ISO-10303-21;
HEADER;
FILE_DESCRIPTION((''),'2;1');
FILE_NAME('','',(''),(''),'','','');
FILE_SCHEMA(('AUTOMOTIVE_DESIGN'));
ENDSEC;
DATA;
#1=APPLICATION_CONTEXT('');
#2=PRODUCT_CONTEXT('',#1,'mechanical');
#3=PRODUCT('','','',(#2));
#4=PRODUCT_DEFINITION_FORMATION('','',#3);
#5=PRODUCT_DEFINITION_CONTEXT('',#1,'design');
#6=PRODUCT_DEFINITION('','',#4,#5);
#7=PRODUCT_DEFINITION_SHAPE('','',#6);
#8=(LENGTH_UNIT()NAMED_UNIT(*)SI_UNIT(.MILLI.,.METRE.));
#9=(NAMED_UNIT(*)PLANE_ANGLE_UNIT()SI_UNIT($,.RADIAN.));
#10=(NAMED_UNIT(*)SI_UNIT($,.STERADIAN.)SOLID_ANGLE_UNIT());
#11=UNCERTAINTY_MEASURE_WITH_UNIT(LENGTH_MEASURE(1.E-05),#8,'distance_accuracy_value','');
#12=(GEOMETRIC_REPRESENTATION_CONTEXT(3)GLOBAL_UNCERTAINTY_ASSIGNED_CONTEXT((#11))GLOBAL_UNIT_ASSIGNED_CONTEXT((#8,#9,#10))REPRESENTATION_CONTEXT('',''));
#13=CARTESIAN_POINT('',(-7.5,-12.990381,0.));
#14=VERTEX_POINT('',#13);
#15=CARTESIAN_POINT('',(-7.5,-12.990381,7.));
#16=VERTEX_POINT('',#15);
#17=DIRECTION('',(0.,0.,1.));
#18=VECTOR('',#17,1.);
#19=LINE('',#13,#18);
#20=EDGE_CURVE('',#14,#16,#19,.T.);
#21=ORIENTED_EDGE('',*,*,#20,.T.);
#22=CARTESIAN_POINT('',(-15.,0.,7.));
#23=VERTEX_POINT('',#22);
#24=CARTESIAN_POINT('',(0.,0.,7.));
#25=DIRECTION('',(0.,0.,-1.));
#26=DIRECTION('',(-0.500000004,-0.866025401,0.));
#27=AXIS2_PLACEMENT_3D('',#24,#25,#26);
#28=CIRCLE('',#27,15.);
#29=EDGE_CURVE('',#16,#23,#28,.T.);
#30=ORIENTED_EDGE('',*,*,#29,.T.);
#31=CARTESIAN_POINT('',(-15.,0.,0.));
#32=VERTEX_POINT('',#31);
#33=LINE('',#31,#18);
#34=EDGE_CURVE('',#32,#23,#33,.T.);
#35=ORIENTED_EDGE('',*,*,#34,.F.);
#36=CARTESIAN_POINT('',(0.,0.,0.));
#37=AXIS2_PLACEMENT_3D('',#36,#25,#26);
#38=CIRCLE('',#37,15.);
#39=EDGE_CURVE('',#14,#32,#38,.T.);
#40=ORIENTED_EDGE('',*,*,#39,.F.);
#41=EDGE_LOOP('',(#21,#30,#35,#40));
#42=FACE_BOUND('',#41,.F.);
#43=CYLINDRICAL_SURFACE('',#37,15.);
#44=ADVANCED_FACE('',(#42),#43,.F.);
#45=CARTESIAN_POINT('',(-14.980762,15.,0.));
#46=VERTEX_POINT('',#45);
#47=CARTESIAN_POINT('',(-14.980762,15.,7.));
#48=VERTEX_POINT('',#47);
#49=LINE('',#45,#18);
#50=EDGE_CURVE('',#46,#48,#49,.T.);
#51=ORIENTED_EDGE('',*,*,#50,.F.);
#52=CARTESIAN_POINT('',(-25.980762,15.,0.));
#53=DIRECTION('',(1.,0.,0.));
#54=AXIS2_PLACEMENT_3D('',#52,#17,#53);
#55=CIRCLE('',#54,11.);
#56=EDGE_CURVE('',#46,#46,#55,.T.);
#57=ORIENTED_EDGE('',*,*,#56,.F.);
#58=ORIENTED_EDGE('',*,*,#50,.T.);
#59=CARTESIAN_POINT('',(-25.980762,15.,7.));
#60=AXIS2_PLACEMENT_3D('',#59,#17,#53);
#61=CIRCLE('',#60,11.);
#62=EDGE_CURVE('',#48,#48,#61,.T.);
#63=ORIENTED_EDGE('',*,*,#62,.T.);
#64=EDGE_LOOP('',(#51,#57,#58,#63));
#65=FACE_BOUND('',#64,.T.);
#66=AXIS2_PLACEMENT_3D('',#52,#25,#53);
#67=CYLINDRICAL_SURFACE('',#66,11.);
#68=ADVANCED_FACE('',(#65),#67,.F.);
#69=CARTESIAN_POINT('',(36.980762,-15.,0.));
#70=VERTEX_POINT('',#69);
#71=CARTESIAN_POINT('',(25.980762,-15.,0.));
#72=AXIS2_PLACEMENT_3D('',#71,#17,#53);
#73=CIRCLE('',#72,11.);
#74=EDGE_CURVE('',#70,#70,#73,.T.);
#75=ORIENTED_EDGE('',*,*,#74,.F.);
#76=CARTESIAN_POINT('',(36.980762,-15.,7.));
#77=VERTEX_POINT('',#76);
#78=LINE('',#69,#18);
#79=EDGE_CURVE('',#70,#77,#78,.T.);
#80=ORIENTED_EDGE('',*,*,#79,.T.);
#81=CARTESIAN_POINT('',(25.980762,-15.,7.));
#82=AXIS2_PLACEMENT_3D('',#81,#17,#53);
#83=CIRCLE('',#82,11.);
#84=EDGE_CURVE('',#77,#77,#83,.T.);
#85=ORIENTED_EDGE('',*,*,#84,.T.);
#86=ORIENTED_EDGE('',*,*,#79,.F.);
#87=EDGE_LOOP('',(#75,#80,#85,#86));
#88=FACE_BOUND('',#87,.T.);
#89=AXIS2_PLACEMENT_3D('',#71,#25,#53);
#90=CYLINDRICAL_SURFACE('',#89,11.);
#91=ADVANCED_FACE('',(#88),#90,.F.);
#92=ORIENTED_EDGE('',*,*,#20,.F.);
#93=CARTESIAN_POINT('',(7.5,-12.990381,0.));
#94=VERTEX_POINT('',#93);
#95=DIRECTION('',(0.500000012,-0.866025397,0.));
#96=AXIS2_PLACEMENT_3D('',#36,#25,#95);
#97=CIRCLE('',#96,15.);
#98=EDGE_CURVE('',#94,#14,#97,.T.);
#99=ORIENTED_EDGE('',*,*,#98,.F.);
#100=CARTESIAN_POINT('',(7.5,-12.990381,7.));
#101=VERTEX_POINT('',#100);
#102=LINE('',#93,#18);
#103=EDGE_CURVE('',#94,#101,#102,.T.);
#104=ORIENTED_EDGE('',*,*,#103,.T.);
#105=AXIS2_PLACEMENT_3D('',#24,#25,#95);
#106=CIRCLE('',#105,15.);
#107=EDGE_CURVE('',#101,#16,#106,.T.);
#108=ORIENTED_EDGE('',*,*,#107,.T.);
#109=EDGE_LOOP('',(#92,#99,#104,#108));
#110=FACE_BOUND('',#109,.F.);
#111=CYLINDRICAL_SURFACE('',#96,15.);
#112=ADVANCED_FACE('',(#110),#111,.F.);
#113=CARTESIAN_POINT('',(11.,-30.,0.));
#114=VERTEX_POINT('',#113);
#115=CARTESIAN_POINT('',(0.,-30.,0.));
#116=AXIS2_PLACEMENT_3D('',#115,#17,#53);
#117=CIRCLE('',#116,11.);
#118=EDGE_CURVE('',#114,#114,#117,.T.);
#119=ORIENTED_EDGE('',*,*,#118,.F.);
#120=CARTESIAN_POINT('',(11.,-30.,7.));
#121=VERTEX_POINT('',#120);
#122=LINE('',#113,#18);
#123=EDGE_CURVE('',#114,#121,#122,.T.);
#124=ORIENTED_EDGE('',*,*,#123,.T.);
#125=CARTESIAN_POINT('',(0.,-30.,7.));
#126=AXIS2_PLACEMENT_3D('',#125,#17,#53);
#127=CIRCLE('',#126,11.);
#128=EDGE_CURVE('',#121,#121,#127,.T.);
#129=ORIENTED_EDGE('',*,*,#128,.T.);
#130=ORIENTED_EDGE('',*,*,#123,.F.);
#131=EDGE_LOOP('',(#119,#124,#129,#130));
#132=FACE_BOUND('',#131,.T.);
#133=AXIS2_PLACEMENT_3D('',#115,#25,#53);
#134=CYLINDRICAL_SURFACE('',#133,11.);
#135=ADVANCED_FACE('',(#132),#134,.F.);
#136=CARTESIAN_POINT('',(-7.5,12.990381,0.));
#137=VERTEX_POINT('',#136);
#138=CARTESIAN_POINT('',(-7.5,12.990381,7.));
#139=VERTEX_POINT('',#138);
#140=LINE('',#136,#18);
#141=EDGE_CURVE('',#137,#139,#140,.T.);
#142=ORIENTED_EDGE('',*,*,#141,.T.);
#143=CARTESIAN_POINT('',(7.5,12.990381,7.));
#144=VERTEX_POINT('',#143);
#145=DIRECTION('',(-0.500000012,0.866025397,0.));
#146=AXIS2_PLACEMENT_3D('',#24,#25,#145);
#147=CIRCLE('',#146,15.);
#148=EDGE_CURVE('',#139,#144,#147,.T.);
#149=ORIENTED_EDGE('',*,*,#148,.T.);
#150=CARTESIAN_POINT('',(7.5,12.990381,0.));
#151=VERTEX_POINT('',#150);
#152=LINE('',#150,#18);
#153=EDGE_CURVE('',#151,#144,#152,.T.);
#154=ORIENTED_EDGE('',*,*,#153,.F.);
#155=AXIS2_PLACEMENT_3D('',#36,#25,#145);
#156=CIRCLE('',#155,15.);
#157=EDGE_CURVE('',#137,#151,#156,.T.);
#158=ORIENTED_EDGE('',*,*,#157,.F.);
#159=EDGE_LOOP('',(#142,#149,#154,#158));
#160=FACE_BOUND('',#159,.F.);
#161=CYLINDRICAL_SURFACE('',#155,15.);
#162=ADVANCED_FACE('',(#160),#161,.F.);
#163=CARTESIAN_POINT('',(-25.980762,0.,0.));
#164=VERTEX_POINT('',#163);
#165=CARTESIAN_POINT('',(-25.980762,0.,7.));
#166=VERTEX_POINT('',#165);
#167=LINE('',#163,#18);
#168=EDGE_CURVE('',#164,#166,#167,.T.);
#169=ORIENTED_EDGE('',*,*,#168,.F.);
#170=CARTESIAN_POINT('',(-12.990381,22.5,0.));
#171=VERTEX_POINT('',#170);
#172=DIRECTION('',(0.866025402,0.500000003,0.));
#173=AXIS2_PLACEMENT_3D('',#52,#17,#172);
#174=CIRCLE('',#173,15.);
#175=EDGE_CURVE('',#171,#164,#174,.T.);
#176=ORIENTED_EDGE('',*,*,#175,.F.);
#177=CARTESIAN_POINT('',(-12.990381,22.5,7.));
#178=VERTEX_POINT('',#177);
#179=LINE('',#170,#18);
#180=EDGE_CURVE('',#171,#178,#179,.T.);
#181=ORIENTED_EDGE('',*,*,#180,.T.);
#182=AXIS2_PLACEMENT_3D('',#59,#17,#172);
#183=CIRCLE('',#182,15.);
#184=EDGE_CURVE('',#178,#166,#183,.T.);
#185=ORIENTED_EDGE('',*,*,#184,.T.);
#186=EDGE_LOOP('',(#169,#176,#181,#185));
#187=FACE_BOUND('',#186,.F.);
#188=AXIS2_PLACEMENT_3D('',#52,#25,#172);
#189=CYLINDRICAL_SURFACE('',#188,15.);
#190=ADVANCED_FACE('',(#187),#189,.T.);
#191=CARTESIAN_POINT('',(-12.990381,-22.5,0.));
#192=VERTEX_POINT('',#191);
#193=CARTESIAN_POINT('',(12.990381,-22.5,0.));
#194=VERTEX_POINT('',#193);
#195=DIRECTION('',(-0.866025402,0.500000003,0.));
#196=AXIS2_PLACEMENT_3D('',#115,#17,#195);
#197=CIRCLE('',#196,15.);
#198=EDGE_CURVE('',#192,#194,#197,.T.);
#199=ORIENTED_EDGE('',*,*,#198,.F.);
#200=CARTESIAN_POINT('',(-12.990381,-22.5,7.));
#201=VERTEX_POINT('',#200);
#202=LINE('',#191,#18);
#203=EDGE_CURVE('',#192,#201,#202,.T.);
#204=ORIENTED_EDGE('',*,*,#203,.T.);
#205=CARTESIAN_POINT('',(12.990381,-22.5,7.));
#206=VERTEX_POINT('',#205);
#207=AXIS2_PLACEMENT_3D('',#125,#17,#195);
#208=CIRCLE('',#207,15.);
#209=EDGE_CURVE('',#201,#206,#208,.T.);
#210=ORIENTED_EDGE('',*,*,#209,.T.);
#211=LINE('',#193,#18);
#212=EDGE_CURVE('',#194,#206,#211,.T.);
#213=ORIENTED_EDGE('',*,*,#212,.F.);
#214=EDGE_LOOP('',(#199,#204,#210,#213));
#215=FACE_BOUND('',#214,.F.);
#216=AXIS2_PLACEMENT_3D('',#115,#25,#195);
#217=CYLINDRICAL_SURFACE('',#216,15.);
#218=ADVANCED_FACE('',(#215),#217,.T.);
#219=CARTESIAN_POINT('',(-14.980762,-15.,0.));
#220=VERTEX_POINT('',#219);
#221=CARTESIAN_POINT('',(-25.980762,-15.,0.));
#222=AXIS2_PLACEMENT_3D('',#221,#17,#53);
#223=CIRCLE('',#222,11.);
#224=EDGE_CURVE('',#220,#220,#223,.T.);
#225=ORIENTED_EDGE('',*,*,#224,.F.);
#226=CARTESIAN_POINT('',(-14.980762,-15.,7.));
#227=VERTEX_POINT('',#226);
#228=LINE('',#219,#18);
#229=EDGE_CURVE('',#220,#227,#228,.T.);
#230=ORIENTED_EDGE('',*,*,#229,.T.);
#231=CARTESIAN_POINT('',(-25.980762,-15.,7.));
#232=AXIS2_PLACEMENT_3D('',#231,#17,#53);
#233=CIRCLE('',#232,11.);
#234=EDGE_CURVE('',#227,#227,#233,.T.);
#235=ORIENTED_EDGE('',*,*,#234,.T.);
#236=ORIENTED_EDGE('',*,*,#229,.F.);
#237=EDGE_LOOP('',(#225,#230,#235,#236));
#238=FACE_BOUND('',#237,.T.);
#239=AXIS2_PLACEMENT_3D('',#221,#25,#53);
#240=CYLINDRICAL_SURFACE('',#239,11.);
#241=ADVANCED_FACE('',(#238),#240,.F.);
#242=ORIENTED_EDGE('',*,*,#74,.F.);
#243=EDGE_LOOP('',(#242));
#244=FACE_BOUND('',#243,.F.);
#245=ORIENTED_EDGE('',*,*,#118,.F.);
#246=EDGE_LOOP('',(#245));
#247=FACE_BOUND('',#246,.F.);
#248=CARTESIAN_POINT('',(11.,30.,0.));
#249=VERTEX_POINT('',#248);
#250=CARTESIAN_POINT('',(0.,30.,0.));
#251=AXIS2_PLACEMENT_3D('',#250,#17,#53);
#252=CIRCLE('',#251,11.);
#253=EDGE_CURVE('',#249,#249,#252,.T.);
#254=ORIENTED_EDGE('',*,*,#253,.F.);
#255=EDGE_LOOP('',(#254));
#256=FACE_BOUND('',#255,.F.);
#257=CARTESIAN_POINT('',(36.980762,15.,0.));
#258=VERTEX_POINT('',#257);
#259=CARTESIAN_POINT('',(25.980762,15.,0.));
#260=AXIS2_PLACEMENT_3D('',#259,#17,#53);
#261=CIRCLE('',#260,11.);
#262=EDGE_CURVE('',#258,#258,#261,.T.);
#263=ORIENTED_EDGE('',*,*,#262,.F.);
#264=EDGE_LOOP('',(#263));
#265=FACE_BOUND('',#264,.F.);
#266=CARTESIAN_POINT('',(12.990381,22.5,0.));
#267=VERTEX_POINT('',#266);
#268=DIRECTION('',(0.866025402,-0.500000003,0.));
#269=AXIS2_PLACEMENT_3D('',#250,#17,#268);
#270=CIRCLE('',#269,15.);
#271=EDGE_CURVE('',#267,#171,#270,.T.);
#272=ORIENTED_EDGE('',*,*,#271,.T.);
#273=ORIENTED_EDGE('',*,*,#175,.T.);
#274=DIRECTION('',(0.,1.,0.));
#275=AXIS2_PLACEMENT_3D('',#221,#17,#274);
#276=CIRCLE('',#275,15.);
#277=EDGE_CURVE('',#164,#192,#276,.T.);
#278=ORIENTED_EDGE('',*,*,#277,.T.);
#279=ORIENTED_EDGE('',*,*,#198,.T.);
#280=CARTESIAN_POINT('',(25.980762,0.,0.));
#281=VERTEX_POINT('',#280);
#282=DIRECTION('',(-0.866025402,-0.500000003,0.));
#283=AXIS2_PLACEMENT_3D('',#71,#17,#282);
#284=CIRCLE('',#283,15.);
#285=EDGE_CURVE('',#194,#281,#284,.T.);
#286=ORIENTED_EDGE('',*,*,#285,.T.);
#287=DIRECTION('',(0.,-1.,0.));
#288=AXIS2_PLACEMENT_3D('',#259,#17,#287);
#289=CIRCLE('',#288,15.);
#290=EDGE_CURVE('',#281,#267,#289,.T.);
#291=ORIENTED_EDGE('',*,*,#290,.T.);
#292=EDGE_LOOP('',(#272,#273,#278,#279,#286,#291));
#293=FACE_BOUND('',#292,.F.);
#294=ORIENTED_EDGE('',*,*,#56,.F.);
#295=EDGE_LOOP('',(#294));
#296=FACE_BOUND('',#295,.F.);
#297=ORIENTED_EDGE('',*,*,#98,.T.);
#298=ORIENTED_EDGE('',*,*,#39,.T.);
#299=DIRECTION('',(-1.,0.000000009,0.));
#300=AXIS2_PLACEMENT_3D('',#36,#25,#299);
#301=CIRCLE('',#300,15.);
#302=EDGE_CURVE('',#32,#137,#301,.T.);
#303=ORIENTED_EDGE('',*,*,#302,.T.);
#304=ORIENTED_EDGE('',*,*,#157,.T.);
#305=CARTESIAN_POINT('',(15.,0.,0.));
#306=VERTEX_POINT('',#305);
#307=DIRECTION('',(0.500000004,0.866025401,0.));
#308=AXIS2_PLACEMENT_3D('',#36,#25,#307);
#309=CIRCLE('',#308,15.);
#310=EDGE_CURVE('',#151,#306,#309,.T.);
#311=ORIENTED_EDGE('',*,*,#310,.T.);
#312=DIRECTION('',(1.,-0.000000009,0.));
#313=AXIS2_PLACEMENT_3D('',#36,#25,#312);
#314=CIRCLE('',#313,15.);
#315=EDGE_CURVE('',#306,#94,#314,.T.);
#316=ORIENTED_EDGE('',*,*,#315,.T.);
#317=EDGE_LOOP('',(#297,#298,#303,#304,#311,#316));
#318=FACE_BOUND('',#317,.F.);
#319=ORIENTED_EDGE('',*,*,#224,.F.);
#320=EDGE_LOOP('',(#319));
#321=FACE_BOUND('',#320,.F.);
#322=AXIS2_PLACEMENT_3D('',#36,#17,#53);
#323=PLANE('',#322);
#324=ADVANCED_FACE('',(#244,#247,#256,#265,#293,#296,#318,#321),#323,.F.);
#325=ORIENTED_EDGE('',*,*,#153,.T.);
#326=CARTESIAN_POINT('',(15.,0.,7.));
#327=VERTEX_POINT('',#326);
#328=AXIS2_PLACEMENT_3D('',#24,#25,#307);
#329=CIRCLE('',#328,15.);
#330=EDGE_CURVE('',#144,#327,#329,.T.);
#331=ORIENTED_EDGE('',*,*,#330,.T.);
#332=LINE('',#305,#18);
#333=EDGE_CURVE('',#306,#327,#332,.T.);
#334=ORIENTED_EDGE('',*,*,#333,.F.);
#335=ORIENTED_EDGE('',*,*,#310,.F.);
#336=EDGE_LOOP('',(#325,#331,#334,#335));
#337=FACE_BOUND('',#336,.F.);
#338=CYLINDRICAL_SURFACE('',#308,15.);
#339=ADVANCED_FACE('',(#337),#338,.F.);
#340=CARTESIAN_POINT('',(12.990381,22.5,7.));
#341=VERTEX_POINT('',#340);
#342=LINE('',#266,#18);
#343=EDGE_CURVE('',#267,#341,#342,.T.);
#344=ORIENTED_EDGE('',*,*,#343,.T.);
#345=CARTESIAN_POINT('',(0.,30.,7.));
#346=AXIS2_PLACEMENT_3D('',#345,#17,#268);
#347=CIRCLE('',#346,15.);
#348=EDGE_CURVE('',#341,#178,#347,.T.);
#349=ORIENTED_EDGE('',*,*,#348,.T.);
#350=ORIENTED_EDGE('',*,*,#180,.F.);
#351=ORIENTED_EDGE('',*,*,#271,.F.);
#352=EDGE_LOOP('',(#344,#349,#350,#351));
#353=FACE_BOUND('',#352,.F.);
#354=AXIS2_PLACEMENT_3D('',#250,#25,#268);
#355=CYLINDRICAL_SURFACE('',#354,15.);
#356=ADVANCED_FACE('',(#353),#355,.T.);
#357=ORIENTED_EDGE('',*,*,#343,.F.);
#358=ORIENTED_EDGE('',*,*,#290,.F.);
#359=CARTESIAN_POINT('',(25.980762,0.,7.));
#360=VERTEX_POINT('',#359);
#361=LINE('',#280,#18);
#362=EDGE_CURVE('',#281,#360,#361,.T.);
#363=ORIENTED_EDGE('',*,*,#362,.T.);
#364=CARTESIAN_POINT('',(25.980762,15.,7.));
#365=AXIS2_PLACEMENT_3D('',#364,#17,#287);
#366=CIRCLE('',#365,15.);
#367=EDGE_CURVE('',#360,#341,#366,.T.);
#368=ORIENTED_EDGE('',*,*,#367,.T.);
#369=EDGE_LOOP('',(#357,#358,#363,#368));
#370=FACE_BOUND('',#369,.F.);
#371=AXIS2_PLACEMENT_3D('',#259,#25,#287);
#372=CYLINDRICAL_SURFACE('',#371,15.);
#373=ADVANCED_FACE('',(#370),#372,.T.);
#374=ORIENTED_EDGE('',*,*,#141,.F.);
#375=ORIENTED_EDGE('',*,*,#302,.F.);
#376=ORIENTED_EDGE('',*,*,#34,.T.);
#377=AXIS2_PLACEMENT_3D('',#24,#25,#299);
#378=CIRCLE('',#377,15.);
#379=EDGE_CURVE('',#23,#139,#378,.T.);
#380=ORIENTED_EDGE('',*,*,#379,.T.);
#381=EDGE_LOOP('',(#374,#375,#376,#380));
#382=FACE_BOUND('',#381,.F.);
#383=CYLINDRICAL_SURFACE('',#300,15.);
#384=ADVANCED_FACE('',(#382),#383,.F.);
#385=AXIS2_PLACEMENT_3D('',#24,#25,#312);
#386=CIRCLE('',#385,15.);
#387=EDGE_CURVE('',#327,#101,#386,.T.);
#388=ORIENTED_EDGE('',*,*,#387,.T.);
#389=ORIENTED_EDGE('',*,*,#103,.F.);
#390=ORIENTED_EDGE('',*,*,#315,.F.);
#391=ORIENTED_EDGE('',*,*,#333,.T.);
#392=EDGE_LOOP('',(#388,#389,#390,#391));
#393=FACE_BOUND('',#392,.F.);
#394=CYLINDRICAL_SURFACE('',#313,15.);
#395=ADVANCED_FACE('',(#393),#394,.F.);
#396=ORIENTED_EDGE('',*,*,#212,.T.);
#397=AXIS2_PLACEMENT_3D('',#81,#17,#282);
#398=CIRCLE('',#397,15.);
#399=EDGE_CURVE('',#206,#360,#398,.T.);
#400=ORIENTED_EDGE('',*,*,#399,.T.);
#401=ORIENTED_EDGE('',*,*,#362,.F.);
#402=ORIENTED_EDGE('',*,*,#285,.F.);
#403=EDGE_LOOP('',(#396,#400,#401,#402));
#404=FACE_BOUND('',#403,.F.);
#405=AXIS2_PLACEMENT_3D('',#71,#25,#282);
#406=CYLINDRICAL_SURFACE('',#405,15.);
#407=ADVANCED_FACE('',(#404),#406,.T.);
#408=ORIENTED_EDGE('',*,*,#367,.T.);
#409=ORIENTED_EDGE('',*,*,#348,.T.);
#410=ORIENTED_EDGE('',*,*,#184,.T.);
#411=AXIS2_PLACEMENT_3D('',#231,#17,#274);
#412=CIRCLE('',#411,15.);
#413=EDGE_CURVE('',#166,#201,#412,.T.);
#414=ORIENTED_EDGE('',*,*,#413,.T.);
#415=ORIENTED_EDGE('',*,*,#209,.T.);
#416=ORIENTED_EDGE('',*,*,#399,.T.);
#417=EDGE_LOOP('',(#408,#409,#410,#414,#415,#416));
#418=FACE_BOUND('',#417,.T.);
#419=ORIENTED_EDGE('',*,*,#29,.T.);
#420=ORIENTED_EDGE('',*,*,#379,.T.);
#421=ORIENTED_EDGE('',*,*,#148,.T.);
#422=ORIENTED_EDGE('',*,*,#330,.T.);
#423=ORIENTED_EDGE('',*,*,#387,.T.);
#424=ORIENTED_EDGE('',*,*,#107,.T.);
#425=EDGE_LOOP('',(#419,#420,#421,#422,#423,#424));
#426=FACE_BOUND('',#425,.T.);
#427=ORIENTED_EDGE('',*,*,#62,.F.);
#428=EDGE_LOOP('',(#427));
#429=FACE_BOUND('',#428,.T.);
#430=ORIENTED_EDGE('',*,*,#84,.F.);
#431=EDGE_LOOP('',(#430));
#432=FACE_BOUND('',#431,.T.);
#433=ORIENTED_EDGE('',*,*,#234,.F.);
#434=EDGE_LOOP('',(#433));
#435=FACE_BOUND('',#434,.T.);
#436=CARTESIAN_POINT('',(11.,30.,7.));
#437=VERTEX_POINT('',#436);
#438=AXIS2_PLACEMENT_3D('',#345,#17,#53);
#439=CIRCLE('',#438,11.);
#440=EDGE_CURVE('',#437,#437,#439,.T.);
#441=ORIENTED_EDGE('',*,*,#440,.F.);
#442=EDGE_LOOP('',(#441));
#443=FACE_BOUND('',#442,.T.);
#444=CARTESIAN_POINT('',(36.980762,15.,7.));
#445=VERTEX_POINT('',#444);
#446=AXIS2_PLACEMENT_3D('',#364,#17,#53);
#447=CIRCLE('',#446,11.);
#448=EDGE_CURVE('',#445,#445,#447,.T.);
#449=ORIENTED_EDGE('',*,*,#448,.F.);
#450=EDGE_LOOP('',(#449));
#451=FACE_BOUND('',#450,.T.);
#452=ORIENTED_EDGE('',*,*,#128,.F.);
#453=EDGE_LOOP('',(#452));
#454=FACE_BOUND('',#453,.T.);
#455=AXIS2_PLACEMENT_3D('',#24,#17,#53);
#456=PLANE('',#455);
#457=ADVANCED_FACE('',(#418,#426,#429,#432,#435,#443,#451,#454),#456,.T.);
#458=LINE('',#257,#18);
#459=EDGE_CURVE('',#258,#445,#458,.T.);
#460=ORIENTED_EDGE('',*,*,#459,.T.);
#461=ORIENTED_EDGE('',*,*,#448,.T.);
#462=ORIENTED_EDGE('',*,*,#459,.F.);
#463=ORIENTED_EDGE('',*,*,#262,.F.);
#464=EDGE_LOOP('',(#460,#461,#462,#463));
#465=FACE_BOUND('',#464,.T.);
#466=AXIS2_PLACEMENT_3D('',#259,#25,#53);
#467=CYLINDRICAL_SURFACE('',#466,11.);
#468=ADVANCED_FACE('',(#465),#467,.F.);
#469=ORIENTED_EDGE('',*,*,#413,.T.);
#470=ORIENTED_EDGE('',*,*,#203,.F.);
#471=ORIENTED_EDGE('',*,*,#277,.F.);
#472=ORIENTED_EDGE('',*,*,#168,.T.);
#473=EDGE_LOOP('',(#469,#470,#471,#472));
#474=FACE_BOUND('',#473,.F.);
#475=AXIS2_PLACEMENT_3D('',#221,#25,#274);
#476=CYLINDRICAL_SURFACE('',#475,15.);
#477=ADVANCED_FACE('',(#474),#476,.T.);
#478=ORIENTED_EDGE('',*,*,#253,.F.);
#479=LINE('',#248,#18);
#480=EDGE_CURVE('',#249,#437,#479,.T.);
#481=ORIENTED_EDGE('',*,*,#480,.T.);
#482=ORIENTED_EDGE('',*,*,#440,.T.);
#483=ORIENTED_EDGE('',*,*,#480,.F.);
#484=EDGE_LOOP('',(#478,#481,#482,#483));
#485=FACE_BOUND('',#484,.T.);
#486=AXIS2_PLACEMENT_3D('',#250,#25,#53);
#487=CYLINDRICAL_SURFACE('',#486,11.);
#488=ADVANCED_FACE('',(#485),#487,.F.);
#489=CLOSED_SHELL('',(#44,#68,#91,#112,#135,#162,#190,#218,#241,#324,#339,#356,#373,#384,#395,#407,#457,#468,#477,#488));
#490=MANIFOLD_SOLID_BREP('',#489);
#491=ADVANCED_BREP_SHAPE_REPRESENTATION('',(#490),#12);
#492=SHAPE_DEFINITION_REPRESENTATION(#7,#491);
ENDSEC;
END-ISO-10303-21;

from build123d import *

# Parameters (mm, degrees)
F0_R     = 11
F1_DEPTH = 7


with BuildPart() as f1:
    # F0 (on Top) → F1 (new body)
    with BuildSketch(Plane.XY):
        with BuildLine():
            ThreePointArc((25.980762, 0), (38.971143, 22.5), (12.990381, 22.5))
            ThreePointArc((12.990381, 22.5), (0, 45), (-12.990381, 22.5))
            ThreePointArc((-12.990381, 22.5), (-38.971143, 22.5), (-25.980762, 0))
            ThreePointArc((-25.980762, 0), (-38.971143, -22.5), (-12.990381, -22.5))
            ThreePointArc((-12.990381, -22.5), (0, -45), (12.990381, -22.5))
            ThreePointArc((12.990381, -22.5), (38.971143, -22.5), (25.980762, 0))
        make_face()
        with Locations((-25.980762, -15)):
            Circle(F0_R, mode=Mode.SUBTRACT)
        with Locations((0, -30)):
            Circle(F0_R, mode=Mode.SUBTRACT)
        with Locations((25.980762, -15)):
            Circle(F0_R, mode=Mode.SUBTRACT)
        with Locations((-25.980762, 15)):
            Circle(F0_R, mode=Mode.SUBTRACT)
        with BuildLine():
            ThreePointArc((-7.5, 12.990381), (0, 15), (7.5, 12.990381))
            ThreePointArc((7.5, 12.990381), (12.990381, 7.5), (15, 0))
            ThreePointArc((15, 0), (12.990381, -7.5), (7.5, -12.990381))
            ThreePointArc((7.5, -12.990381), (0, -15), (-7.5, -12.990381))
            ThreePointArc((-7.5, -12.990381), (-12.990381, -7.5), (-15, 0))
            ThreePointArc((-15, 0), (-12.990381, 7.5), (-7.5, 12.990381))
        make_face(mode=Mode.SUBTRACT)
        with Locations((25.980762, 15)):
            Circle(F0_R, mode=Mode.SUBTRACT)
        with Locations((0, 30)):
            Circle(F0_R, mode=Mode.SUBTRACT)
    extrude(amount=F1_DEPTH)


solid = f1.part
